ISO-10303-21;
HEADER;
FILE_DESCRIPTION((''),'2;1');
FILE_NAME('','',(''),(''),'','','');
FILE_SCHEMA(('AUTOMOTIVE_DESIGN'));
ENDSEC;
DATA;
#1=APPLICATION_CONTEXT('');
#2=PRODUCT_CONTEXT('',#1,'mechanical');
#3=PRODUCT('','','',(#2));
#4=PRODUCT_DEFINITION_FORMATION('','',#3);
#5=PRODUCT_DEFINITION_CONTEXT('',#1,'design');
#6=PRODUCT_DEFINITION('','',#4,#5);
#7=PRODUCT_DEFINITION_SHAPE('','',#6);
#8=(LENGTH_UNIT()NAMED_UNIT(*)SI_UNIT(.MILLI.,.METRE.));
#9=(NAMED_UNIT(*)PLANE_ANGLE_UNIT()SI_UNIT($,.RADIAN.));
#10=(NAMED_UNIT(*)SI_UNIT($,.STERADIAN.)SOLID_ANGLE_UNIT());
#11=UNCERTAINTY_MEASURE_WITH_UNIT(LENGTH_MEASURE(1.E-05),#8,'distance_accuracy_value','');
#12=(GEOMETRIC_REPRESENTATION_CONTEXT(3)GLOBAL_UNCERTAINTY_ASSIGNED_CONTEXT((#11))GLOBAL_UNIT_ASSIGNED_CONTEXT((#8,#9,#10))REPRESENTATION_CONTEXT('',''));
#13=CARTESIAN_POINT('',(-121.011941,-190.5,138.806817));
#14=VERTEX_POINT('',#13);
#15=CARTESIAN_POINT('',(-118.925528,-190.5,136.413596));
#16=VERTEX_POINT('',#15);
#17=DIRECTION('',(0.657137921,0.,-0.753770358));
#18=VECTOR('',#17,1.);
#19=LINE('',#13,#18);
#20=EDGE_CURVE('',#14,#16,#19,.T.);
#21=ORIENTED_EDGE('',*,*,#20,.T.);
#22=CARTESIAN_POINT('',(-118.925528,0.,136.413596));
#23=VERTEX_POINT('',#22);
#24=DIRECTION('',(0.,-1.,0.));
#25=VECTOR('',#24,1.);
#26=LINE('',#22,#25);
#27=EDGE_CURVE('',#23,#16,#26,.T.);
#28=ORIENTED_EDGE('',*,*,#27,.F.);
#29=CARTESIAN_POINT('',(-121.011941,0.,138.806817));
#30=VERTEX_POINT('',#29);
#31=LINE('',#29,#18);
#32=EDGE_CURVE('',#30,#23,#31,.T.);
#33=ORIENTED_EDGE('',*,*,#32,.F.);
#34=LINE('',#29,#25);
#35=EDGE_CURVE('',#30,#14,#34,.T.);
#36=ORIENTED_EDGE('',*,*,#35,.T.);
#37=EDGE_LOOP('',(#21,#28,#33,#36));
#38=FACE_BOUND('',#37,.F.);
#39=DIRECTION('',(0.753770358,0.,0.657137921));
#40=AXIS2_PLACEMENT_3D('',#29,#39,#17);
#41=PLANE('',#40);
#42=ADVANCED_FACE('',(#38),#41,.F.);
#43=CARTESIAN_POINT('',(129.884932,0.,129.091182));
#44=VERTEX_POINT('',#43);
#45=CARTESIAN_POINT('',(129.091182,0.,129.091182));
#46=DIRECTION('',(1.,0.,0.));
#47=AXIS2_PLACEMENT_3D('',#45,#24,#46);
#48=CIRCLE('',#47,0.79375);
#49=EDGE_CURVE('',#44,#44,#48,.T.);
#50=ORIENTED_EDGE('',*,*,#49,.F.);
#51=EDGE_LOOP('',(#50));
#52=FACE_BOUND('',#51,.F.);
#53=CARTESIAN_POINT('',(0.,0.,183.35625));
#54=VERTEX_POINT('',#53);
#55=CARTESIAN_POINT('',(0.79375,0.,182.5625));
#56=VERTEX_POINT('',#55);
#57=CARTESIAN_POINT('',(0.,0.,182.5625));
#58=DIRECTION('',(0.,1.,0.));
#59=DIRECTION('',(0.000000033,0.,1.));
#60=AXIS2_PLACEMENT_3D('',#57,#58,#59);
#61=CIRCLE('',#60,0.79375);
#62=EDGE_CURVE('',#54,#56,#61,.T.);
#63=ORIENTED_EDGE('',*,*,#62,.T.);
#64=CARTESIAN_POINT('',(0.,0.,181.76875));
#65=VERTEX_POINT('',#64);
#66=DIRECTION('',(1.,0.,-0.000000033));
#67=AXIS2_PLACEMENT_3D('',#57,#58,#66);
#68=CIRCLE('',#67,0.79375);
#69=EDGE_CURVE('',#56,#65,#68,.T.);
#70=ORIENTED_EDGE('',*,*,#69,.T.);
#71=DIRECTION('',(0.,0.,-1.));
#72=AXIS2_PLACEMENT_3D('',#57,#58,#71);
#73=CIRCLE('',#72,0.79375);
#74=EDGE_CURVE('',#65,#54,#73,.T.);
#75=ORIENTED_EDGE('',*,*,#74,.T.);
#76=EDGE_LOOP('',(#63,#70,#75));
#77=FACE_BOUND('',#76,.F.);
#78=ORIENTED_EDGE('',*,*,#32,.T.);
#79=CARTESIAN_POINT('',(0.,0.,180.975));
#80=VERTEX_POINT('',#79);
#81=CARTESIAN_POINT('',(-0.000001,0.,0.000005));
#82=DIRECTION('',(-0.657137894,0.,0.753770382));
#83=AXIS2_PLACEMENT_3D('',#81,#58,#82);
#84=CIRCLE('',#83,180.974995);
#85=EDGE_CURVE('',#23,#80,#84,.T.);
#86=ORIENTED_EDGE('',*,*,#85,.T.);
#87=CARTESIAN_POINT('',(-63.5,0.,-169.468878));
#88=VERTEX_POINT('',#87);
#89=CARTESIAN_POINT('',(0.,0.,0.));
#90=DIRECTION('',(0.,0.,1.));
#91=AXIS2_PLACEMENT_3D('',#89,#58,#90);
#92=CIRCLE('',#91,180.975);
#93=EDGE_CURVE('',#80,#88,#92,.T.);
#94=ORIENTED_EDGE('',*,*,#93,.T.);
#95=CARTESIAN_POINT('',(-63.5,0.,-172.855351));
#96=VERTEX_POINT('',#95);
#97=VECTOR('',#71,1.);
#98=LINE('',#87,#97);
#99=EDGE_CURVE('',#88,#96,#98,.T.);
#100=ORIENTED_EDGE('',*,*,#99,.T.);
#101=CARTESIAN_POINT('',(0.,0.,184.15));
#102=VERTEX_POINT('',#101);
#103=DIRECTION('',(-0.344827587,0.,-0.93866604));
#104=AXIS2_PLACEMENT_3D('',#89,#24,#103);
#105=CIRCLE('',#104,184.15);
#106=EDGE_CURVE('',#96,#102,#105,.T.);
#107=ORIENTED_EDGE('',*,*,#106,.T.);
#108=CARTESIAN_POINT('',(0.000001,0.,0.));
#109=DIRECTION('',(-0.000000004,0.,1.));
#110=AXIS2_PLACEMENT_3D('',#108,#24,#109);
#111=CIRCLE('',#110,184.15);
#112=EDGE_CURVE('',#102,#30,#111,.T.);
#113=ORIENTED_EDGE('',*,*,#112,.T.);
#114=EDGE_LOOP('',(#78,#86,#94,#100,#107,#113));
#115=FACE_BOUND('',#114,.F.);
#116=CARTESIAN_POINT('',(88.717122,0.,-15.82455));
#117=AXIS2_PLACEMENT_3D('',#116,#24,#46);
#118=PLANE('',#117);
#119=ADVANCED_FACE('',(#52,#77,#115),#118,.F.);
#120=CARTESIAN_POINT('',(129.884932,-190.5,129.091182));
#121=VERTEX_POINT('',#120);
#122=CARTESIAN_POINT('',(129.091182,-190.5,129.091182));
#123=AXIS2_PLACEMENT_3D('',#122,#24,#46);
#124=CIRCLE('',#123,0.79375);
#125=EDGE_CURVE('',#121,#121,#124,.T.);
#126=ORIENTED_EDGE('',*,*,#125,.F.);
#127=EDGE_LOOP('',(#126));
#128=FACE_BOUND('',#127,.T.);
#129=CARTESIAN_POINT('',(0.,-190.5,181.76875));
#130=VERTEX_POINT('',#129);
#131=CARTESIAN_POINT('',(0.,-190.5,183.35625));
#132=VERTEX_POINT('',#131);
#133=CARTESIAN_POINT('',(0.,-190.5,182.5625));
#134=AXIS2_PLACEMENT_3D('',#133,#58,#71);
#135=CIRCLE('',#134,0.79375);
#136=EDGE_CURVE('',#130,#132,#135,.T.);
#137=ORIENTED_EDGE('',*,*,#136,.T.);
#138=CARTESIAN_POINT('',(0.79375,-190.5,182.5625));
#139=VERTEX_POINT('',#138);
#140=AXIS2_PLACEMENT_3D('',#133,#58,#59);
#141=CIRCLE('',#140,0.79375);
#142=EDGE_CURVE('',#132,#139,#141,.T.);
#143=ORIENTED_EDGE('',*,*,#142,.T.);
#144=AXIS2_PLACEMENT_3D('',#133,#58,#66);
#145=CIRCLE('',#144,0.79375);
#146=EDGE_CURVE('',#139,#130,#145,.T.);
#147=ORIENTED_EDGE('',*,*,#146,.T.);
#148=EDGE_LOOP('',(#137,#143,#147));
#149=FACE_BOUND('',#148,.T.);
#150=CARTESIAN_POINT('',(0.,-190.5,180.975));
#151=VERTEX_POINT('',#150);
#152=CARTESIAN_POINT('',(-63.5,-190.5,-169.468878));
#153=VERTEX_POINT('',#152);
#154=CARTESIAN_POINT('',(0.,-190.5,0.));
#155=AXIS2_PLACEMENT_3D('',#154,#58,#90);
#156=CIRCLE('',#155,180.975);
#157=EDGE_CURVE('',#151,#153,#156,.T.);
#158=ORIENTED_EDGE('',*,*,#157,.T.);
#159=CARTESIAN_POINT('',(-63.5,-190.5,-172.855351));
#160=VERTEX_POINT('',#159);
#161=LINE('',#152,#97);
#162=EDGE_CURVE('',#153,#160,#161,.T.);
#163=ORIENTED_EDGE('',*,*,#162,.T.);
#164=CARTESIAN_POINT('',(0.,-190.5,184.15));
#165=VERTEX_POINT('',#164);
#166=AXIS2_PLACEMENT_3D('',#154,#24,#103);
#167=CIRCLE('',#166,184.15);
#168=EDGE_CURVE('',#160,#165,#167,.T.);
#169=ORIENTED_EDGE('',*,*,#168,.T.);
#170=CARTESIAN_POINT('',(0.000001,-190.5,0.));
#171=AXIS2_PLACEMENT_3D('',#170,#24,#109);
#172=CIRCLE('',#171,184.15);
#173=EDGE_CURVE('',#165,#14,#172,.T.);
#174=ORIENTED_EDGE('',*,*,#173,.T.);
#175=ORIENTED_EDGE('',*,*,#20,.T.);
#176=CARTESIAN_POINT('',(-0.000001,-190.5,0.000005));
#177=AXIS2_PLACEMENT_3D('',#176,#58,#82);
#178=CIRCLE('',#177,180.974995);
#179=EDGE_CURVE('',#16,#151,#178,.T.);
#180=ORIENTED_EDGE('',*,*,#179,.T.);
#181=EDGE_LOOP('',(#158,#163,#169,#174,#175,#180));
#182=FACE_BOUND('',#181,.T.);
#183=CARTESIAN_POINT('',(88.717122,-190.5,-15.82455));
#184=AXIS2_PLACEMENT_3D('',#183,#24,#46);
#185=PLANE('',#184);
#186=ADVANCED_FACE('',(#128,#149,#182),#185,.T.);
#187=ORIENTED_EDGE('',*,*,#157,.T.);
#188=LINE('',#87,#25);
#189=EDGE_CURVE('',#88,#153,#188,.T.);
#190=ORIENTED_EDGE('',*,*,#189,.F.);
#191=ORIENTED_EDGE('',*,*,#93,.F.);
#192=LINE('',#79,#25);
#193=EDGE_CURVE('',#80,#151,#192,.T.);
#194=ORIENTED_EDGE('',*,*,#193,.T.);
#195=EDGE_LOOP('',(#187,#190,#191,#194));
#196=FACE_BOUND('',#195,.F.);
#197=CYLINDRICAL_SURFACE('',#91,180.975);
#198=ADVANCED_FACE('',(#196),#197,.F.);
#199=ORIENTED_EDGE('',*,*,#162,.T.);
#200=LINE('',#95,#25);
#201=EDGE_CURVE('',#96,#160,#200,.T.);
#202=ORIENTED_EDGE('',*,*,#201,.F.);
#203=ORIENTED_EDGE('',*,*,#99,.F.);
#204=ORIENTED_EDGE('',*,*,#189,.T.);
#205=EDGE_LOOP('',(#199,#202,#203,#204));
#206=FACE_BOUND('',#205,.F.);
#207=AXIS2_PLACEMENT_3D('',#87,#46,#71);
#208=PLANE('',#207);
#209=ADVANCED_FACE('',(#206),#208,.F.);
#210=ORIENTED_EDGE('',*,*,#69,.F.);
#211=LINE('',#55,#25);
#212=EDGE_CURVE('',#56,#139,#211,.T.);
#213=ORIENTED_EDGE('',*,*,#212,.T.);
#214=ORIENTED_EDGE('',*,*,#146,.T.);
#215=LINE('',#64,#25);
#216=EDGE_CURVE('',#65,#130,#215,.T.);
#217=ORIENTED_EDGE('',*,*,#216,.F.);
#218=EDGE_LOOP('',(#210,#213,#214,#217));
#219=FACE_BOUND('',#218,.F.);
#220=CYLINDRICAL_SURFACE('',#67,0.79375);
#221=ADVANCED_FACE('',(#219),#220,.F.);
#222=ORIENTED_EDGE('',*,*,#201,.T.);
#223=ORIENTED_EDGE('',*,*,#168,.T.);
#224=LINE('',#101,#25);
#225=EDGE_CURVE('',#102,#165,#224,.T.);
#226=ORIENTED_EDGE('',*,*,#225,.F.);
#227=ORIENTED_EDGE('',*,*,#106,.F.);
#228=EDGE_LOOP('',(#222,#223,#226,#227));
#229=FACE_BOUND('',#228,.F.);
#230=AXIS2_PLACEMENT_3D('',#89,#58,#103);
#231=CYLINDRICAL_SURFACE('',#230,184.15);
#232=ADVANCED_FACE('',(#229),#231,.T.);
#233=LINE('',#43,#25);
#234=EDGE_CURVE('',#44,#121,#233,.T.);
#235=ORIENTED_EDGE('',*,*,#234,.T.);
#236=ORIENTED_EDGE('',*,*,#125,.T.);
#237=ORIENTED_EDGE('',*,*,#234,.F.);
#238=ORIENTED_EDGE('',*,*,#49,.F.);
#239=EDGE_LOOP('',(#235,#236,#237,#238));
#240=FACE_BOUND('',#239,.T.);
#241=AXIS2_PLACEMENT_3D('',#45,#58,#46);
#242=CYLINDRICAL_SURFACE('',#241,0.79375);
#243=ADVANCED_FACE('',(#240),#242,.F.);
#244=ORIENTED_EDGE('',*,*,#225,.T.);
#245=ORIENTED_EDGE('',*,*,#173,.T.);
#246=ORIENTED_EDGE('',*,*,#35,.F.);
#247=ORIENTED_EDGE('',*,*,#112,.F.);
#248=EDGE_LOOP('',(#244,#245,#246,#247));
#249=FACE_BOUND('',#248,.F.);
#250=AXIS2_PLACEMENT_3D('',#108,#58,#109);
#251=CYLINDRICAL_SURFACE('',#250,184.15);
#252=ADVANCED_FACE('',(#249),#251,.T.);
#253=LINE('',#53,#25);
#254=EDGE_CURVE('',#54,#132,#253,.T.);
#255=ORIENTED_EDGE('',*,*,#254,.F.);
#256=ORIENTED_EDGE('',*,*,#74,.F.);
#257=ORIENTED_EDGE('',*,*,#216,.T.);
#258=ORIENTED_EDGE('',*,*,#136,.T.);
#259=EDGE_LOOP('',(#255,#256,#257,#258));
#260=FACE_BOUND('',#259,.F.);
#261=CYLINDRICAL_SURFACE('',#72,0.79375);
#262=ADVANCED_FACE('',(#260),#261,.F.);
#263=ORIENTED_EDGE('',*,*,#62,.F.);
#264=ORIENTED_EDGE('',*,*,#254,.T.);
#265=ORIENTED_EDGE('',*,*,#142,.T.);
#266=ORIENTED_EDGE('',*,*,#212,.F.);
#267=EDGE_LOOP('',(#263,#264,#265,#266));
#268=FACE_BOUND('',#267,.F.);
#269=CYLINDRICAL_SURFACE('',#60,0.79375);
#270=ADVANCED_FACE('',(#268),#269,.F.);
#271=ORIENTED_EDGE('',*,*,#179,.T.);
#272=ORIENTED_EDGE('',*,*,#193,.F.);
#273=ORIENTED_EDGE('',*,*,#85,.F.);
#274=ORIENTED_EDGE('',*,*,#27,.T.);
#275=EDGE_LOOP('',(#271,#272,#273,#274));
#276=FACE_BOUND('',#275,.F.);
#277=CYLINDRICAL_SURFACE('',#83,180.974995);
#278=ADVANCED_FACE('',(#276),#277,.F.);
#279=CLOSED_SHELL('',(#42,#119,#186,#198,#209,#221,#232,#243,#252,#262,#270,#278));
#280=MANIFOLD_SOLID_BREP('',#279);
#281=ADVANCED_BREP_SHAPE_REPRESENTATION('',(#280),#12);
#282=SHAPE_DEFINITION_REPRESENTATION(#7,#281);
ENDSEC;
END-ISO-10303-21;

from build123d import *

# Parameters (mm, degrees)
F0_R     = 0.79375
F1_DEPTH = 190.5


with BuildPart() as f1:
    # F0 (on Front) → F1 (new body)
    with BuildSketch(Plane.XZ):
        with BuildLine():
            ThreePointArc((0, 180.975), (178.075238, -32.267014), (-63.5, -169.468878))
            Line((-63.5, -169.468878), (-63.5, -172.855351))
            ThreePointArc((-63.5, -172.855351), (181.304351, -32.24833), (0, 184.15))
            Line((0, 184.15), (0, 183.35625))
            ThreePointArc((0, 183.35625), (0.561266, 183.123766), (0.79375, 182.5625))
            ThreePointArc((0.79375, 182.5625), (0.561266, 182.001234), (0, 181.76875))
            Line((0, 181.76875), (0, 180.975))
        make_face()
        with Locations((129.091182, 129.091182)):
            Circle(F0_R, mode=Mode.SUBTRACT)
        with BuildLine():
            ThreePointArc((-118.925528, 136.413596), (-63.5, 169.468878), (0, 180.975))
            Line((0, 180.975), (0, 181.76875))
            ThreePointArc((0, 181.76875), (-0.79375, 182.5625), (0, 183.35625))
            Line((0, 183.35625), (0, 184.15))
            ThreePointArc((0, 184.15), (-64.614035, 172.442016), (-121.011941, 138.806817))
            Line((-121.011941, 138.806817), (-118.925528, 136.413596))
        make_face()
    extrude(amount=F1_DEPTH)


solid = f1.part
